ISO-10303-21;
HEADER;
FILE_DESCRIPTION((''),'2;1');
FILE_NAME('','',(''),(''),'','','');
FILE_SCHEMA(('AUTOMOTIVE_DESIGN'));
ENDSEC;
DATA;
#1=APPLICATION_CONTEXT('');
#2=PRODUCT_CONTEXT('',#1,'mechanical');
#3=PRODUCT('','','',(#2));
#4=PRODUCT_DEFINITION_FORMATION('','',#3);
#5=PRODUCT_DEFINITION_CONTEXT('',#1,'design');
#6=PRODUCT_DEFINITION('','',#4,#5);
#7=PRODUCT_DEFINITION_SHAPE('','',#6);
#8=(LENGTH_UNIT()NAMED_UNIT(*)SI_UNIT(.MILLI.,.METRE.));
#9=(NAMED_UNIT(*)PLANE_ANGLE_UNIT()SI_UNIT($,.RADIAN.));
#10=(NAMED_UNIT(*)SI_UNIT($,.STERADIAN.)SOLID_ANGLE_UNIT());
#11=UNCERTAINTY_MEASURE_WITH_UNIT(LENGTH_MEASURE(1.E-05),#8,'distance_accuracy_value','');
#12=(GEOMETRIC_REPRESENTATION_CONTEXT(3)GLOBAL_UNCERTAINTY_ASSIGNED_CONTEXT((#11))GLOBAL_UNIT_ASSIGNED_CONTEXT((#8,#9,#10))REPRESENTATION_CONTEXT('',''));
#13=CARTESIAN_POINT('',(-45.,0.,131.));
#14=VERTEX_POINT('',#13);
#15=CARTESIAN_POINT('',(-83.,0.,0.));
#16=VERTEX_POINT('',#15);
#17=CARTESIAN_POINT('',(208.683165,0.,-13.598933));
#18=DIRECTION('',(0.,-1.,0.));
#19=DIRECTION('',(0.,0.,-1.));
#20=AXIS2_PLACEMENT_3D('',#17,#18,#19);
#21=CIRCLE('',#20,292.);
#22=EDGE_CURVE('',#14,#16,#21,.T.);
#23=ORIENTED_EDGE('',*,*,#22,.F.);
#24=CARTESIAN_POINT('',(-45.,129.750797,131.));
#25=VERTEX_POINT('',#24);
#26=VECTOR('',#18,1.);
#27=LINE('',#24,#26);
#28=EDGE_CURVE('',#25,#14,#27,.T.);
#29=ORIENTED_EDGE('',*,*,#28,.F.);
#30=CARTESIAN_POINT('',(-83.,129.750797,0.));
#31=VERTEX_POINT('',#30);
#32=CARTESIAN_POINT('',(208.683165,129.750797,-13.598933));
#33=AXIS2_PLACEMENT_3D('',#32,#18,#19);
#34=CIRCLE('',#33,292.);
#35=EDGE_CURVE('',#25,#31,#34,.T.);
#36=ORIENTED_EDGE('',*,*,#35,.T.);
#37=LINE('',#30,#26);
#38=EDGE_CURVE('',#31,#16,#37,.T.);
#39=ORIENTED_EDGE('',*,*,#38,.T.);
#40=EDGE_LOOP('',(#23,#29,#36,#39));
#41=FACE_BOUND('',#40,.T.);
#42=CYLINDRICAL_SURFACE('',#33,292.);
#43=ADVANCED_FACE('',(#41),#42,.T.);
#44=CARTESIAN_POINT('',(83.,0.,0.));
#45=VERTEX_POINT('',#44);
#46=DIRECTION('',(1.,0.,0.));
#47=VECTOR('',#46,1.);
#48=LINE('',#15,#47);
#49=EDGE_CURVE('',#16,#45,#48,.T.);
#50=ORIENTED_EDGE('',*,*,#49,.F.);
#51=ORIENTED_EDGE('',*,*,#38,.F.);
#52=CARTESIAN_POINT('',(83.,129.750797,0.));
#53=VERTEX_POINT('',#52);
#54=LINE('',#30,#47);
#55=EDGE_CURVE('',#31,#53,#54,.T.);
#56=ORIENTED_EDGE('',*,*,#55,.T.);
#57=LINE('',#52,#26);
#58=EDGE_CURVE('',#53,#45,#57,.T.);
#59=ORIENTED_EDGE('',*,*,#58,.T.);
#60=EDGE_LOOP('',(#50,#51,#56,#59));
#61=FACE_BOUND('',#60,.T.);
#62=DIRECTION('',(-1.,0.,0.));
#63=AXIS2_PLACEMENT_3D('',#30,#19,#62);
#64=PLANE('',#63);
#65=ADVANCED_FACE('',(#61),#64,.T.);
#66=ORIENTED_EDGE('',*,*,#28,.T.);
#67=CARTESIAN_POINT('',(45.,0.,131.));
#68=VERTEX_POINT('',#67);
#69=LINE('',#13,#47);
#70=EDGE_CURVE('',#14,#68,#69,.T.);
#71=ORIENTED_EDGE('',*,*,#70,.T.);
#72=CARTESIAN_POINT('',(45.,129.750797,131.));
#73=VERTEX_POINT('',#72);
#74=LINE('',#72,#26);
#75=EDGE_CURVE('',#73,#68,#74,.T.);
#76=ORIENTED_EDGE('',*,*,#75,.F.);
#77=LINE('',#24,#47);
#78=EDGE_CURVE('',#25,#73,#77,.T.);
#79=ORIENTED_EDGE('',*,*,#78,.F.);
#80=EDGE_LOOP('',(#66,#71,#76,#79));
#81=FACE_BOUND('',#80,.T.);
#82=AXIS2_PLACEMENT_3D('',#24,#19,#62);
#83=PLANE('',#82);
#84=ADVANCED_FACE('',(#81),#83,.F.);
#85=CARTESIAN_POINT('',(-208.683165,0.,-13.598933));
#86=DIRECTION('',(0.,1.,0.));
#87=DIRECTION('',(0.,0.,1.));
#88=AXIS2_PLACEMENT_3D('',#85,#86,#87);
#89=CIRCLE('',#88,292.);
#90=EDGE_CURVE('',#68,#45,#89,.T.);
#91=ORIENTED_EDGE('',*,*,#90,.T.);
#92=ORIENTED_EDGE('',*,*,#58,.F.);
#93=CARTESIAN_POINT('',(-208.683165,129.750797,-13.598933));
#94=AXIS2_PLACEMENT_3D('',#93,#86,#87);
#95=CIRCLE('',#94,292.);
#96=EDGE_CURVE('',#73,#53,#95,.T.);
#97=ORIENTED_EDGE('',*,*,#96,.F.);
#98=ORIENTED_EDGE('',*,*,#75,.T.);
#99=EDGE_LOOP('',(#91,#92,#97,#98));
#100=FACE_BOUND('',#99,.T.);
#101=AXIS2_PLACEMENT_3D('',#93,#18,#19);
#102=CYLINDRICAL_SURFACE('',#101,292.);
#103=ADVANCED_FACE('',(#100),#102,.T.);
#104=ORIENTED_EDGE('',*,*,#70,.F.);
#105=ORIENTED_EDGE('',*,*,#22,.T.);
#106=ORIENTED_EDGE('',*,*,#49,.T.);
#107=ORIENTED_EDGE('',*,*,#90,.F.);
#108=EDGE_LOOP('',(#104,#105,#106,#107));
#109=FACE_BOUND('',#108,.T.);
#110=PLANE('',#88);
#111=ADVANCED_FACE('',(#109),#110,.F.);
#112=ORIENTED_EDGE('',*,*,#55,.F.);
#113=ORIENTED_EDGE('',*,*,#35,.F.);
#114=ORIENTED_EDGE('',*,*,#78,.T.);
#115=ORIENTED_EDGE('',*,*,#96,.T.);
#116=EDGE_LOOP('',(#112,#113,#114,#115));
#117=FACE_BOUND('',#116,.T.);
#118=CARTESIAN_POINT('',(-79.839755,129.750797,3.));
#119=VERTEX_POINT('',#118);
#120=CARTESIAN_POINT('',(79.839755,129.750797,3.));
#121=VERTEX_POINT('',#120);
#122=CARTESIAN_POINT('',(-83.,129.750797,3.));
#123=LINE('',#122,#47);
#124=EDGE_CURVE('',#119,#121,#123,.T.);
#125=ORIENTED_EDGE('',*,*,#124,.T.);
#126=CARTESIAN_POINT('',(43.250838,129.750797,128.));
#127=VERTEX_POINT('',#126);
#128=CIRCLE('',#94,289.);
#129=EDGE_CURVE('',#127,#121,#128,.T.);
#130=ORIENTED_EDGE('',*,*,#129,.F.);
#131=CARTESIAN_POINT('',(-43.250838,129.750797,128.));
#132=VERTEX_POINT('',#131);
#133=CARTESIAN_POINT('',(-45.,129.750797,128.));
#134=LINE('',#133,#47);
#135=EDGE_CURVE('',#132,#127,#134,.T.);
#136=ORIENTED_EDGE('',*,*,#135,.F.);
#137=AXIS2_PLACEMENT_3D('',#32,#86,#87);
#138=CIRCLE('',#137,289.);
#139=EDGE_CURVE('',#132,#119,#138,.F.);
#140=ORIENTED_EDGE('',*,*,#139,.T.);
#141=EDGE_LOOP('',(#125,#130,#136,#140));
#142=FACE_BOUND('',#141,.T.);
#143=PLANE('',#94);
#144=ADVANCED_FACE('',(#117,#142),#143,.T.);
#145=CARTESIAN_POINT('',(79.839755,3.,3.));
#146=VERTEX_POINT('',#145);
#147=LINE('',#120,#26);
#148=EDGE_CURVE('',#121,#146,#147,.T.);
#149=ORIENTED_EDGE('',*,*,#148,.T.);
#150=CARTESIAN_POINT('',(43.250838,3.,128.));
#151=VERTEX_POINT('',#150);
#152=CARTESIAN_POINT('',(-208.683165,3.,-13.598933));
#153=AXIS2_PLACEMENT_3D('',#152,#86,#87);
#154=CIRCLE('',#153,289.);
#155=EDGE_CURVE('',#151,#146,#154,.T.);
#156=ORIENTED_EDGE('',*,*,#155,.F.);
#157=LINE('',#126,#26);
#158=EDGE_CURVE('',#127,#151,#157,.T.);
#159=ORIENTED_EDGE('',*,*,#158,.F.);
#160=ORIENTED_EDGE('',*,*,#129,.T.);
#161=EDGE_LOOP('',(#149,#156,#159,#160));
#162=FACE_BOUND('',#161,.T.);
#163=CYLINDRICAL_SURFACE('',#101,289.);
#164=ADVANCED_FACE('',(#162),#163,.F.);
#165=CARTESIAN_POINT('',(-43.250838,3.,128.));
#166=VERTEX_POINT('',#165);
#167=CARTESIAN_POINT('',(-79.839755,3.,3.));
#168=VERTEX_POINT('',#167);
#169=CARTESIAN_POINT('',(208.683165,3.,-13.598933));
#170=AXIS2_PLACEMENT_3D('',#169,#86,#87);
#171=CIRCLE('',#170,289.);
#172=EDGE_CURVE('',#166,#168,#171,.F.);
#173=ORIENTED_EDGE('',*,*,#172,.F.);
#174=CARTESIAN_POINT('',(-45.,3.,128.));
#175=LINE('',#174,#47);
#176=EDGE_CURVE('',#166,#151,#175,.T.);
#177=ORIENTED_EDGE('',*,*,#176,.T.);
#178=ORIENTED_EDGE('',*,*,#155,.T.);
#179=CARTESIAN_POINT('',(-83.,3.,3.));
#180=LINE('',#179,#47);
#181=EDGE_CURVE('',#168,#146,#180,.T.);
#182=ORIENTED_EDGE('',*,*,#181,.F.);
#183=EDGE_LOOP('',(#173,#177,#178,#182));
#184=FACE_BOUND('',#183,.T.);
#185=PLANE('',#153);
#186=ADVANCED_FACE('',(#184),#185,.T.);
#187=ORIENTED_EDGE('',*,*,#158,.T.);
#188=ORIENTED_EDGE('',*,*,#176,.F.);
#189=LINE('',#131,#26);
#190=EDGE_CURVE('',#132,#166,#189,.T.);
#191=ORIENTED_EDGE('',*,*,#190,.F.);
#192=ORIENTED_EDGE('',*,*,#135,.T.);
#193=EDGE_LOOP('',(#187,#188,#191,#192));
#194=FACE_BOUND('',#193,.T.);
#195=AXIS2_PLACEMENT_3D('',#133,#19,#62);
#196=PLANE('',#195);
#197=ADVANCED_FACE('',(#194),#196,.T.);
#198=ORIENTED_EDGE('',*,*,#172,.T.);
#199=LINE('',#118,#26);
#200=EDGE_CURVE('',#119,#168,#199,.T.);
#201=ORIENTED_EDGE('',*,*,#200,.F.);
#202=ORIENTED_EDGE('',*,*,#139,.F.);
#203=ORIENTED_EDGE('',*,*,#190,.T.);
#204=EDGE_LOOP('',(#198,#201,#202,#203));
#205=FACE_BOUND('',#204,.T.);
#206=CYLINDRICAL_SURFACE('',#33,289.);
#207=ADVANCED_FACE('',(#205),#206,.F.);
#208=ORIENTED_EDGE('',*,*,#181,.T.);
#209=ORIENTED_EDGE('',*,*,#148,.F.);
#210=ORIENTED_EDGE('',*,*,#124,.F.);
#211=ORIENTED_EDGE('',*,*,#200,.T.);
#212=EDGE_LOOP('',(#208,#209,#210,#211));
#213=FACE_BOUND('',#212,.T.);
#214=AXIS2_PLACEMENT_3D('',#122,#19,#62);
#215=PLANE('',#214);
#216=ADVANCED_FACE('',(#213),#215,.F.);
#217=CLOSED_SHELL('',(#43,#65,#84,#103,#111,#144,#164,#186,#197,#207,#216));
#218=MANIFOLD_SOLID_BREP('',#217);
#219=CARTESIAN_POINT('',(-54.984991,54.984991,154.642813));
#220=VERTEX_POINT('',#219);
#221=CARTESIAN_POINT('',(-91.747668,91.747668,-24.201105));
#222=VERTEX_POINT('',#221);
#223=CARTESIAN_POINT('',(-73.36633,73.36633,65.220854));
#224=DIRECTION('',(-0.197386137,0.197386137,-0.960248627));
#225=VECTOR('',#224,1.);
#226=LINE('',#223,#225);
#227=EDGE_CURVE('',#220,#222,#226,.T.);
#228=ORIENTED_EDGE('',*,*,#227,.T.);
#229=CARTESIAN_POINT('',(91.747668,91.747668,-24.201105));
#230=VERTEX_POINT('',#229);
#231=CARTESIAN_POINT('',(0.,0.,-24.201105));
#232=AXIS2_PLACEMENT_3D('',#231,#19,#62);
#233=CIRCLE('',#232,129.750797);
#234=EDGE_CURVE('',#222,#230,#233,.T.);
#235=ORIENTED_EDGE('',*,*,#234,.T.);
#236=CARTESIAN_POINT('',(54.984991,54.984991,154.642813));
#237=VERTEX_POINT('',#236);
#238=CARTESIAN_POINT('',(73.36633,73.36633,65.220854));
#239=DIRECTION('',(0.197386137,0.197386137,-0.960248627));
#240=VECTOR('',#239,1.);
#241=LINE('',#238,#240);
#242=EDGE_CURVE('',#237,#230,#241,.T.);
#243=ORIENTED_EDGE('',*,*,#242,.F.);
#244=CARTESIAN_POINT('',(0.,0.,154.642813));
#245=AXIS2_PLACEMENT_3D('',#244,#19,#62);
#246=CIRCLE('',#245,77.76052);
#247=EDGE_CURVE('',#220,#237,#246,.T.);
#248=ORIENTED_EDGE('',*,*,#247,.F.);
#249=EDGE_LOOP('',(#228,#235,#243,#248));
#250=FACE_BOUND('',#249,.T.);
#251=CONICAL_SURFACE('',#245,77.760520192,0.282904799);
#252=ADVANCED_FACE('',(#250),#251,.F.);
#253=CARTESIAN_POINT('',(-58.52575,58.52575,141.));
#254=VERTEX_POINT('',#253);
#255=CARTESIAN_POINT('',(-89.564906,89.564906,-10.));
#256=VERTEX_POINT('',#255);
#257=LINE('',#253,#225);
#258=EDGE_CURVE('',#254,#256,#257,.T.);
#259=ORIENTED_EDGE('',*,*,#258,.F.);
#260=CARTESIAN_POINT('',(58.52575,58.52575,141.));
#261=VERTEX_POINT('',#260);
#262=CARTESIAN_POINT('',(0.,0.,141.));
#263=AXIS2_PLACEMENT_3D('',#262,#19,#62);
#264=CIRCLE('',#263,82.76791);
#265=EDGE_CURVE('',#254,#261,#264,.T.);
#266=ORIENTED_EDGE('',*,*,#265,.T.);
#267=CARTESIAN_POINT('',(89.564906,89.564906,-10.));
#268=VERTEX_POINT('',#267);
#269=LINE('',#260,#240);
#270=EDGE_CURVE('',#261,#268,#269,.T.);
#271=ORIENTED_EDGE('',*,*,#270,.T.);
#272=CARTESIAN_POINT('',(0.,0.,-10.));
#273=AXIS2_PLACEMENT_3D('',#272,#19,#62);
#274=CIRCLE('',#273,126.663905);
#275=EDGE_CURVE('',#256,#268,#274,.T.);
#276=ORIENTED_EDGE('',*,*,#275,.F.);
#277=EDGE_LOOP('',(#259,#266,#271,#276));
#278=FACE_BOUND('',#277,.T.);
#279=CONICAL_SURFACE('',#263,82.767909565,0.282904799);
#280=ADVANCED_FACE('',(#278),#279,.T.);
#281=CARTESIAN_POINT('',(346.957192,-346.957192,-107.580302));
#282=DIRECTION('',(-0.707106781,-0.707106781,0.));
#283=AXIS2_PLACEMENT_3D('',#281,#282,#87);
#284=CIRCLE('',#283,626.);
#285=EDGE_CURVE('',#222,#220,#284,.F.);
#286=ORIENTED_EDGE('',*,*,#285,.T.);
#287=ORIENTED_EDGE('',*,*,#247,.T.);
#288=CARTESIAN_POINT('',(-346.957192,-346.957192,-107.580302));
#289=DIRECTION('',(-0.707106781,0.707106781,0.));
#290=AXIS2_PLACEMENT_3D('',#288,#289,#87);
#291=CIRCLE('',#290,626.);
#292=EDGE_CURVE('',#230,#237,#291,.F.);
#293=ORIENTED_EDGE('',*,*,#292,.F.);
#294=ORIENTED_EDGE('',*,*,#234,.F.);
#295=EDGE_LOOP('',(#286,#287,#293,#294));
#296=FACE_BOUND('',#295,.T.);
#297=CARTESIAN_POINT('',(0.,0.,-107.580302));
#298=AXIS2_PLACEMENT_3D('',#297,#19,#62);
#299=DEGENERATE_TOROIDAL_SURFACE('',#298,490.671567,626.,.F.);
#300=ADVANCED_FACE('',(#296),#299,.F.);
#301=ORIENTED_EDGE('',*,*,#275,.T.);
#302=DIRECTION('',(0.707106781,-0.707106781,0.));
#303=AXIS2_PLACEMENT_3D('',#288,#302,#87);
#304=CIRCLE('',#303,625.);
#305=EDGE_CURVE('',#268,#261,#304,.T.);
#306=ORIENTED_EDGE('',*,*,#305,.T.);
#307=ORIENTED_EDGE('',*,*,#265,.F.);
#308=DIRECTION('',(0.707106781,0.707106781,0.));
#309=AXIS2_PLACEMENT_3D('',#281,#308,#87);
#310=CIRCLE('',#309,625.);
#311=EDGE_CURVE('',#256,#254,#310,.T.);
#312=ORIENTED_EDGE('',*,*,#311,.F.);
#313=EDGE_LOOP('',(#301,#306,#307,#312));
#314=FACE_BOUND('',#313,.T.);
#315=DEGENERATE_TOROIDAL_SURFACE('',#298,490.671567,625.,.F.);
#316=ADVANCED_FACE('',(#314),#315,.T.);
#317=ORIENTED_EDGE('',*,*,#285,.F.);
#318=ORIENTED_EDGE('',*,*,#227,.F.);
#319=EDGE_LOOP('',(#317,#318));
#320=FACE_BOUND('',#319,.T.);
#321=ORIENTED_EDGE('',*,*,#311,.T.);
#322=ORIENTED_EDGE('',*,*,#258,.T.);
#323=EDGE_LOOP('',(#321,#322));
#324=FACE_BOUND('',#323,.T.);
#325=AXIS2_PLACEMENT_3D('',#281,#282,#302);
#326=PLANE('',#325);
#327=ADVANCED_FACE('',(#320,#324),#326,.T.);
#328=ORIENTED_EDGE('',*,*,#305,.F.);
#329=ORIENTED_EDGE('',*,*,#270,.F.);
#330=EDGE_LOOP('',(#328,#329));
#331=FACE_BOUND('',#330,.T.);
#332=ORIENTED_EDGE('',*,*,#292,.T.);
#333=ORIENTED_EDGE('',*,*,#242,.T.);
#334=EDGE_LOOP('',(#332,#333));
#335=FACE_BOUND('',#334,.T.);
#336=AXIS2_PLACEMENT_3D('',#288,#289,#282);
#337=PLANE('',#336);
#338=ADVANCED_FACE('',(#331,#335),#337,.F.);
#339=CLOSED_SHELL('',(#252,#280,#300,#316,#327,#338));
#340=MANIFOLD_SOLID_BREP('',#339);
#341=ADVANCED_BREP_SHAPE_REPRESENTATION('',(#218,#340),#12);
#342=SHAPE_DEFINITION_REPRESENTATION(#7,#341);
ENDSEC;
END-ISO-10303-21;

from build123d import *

# Parameters (mm, degrees)
REVOLVE_1_ANGLE = 90
EXTRUDE_1_DEPTH = 129.750797
SHELL_1_T       = -3


with BuildPart() as part:
    # Эскиз3 → Повернуть-Тонкостенный1 (revolve, symmetric)
    with BuildSketch(Plane(origin=(0, 0, 0), x_dir=(0, 0, -1), z_dir=(1, 0, 0))) as revolve_1_sk:
        with BuildLine():
            Line((-154.642813074, 77.760520192), (24.201105378, 129.750796682))
            ThreePointArc((24.201105378, 129.750796682), (-67.165189144, 110.444073397), (-154.642813074, 77.760520192))
        make_face()
        with BuildLine():
            Line((-141, 82.767909565), (10, 126.663904563))
            ThreePointArc((10, 126.663904563), (-66.886042992, 109.48382477), (-141, 82.767909565))
        make_face(mode=Mode.SUBTRACT)
    revolve(axis=Axis((0, 0, 0), (0, 0, 1)), revolution_arc=REVOLVE_1_ANGLE / 2)
    revolve(revolve_1_sk.sketch, axis=Axis((0, 0, 0), (0, 0, -1)), revolution_arc=REVOLVE_1_ANGLE / 2)


with BuildPart() as body_2:
    # Эскиз1 → Бобышка-Вытянуть1 (new body)
    with BuildSketch(Plane(origin=(0, 0, 0), x_dir=(1, 0, 0), z_dir=(0, 1, 0))):
        with BuildLine():
            Line((-45, -131), (45, -131))
            ThreePointArc((45, -131), (71.756415779, -67.749952669), (83, 0))
            Line((83, 0), (-83, 0))
            ThreePointArc((-83, 0), (-71.756415779, -67.749952669), (-45, -131))
        make_face()
    extrude(amount=EXTRUDE_1_DEPTH)

    # Оболочка1
    shell_1_openings = [body_2.faces().sort_by_distance(p)[0] for p in [
        (0, 129.750797, 59.614369669),
    ]]
    offset(amount=SHELL_1_T, openings=shell_1_openings, kind=Kind.INTERSECTION)


solid = Compound([part.part, body_2.part])
